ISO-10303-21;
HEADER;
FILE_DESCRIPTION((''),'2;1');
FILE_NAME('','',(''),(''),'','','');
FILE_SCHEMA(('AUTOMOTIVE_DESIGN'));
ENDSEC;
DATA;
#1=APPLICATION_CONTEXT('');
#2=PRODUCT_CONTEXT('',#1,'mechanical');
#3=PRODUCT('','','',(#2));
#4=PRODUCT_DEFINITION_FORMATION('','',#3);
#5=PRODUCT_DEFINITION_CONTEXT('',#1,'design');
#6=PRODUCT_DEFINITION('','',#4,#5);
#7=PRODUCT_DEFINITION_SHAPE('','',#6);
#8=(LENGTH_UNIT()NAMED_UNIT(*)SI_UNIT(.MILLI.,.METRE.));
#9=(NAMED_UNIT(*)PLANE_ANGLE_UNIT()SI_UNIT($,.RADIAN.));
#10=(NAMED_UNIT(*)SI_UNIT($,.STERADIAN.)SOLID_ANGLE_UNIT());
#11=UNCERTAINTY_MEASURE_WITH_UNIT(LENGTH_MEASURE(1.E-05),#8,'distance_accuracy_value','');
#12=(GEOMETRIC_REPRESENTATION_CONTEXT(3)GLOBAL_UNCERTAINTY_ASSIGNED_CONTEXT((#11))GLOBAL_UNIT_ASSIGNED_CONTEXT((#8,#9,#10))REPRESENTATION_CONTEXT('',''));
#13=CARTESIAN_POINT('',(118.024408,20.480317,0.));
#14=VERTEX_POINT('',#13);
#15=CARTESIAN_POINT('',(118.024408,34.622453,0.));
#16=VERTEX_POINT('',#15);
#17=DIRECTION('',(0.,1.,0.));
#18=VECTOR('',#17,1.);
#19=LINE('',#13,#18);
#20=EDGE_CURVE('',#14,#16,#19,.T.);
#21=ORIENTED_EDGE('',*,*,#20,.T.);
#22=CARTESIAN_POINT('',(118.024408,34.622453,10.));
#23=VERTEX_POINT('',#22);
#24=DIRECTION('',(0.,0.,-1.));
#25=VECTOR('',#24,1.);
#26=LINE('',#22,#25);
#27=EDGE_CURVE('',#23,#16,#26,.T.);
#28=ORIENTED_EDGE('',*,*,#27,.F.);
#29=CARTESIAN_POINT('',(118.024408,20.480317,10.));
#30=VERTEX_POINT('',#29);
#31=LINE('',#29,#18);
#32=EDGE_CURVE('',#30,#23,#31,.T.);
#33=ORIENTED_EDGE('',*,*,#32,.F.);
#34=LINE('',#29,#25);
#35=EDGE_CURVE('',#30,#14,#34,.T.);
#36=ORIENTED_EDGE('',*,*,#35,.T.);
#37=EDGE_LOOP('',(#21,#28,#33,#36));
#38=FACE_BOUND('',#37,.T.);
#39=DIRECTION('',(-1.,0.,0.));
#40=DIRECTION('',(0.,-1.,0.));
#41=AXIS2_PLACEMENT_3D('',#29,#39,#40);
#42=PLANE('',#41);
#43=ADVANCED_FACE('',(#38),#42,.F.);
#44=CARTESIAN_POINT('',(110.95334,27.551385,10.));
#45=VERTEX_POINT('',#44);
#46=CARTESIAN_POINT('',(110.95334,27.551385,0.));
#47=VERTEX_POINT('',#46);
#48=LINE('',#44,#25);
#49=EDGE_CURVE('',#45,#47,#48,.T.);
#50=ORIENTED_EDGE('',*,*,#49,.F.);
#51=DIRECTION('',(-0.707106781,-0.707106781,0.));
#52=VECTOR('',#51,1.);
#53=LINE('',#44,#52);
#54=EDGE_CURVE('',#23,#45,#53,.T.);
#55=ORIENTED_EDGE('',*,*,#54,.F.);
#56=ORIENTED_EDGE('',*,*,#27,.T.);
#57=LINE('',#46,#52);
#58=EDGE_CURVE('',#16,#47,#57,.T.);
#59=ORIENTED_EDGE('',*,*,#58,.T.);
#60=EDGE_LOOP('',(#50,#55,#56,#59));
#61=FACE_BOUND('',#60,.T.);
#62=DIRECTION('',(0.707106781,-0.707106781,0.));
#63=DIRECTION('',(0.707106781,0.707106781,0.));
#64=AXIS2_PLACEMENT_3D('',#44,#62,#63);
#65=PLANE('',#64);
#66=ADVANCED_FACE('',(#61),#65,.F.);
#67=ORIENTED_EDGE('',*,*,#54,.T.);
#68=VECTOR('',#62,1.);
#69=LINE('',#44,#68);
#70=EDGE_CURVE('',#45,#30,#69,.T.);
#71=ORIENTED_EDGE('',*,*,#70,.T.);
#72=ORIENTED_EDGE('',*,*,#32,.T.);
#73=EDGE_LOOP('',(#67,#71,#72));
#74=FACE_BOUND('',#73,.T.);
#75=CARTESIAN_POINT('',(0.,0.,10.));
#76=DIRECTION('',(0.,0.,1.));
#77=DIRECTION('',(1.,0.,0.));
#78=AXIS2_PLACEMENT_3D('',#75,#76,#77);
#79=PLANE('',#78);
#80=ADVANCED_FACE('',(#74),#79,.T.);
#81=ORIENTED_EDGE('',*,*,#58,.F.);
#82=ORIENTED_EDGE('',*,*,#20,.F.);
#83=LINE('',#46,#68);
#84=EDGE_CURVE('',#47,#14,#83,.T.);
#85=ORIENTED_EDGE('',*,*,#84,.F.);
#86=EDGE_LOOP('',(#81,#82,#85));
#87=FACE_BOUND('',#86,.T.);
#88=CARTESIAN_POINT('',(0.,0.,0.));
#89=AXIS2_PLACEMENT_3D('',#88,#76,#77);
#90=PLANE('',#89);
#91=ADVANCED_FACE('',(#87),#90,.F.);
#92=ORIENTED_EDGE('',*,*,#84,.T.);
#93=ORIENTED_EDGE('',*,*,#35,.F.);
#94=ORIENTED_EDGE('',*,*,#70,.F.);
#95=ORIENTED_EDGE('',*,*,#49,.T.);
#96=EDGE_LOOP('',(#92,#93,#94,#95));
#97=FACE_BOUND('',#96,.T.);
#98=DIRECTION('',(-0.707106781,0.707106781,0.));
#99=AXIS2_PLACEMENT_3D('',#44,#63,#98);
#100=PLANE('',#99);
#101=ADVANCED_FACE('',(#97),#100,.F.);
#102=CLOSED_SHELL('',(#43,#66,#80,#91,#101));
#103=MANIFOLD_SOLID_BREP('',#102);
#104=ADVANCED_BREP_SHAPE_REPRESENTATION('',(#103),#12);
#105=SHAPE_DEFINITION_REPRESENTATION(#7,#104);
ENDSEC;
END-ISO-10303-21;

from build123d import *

# Parameters (mm, degrees)
EXTRUDE_1_DEPTH = 10


with BuildPart() as part:
    # 草图1 → 凸台-拉伸1 (new body)
    with BuildSketch(Plane.XY):
        Polygon((110.953339905, 27.551385106), (118.024407717, 34.622452918), (118.024407717, 20.480317294), align=None)
    extrude(amount=EXTRUDE_1_DEPTH)


solid = part.part
